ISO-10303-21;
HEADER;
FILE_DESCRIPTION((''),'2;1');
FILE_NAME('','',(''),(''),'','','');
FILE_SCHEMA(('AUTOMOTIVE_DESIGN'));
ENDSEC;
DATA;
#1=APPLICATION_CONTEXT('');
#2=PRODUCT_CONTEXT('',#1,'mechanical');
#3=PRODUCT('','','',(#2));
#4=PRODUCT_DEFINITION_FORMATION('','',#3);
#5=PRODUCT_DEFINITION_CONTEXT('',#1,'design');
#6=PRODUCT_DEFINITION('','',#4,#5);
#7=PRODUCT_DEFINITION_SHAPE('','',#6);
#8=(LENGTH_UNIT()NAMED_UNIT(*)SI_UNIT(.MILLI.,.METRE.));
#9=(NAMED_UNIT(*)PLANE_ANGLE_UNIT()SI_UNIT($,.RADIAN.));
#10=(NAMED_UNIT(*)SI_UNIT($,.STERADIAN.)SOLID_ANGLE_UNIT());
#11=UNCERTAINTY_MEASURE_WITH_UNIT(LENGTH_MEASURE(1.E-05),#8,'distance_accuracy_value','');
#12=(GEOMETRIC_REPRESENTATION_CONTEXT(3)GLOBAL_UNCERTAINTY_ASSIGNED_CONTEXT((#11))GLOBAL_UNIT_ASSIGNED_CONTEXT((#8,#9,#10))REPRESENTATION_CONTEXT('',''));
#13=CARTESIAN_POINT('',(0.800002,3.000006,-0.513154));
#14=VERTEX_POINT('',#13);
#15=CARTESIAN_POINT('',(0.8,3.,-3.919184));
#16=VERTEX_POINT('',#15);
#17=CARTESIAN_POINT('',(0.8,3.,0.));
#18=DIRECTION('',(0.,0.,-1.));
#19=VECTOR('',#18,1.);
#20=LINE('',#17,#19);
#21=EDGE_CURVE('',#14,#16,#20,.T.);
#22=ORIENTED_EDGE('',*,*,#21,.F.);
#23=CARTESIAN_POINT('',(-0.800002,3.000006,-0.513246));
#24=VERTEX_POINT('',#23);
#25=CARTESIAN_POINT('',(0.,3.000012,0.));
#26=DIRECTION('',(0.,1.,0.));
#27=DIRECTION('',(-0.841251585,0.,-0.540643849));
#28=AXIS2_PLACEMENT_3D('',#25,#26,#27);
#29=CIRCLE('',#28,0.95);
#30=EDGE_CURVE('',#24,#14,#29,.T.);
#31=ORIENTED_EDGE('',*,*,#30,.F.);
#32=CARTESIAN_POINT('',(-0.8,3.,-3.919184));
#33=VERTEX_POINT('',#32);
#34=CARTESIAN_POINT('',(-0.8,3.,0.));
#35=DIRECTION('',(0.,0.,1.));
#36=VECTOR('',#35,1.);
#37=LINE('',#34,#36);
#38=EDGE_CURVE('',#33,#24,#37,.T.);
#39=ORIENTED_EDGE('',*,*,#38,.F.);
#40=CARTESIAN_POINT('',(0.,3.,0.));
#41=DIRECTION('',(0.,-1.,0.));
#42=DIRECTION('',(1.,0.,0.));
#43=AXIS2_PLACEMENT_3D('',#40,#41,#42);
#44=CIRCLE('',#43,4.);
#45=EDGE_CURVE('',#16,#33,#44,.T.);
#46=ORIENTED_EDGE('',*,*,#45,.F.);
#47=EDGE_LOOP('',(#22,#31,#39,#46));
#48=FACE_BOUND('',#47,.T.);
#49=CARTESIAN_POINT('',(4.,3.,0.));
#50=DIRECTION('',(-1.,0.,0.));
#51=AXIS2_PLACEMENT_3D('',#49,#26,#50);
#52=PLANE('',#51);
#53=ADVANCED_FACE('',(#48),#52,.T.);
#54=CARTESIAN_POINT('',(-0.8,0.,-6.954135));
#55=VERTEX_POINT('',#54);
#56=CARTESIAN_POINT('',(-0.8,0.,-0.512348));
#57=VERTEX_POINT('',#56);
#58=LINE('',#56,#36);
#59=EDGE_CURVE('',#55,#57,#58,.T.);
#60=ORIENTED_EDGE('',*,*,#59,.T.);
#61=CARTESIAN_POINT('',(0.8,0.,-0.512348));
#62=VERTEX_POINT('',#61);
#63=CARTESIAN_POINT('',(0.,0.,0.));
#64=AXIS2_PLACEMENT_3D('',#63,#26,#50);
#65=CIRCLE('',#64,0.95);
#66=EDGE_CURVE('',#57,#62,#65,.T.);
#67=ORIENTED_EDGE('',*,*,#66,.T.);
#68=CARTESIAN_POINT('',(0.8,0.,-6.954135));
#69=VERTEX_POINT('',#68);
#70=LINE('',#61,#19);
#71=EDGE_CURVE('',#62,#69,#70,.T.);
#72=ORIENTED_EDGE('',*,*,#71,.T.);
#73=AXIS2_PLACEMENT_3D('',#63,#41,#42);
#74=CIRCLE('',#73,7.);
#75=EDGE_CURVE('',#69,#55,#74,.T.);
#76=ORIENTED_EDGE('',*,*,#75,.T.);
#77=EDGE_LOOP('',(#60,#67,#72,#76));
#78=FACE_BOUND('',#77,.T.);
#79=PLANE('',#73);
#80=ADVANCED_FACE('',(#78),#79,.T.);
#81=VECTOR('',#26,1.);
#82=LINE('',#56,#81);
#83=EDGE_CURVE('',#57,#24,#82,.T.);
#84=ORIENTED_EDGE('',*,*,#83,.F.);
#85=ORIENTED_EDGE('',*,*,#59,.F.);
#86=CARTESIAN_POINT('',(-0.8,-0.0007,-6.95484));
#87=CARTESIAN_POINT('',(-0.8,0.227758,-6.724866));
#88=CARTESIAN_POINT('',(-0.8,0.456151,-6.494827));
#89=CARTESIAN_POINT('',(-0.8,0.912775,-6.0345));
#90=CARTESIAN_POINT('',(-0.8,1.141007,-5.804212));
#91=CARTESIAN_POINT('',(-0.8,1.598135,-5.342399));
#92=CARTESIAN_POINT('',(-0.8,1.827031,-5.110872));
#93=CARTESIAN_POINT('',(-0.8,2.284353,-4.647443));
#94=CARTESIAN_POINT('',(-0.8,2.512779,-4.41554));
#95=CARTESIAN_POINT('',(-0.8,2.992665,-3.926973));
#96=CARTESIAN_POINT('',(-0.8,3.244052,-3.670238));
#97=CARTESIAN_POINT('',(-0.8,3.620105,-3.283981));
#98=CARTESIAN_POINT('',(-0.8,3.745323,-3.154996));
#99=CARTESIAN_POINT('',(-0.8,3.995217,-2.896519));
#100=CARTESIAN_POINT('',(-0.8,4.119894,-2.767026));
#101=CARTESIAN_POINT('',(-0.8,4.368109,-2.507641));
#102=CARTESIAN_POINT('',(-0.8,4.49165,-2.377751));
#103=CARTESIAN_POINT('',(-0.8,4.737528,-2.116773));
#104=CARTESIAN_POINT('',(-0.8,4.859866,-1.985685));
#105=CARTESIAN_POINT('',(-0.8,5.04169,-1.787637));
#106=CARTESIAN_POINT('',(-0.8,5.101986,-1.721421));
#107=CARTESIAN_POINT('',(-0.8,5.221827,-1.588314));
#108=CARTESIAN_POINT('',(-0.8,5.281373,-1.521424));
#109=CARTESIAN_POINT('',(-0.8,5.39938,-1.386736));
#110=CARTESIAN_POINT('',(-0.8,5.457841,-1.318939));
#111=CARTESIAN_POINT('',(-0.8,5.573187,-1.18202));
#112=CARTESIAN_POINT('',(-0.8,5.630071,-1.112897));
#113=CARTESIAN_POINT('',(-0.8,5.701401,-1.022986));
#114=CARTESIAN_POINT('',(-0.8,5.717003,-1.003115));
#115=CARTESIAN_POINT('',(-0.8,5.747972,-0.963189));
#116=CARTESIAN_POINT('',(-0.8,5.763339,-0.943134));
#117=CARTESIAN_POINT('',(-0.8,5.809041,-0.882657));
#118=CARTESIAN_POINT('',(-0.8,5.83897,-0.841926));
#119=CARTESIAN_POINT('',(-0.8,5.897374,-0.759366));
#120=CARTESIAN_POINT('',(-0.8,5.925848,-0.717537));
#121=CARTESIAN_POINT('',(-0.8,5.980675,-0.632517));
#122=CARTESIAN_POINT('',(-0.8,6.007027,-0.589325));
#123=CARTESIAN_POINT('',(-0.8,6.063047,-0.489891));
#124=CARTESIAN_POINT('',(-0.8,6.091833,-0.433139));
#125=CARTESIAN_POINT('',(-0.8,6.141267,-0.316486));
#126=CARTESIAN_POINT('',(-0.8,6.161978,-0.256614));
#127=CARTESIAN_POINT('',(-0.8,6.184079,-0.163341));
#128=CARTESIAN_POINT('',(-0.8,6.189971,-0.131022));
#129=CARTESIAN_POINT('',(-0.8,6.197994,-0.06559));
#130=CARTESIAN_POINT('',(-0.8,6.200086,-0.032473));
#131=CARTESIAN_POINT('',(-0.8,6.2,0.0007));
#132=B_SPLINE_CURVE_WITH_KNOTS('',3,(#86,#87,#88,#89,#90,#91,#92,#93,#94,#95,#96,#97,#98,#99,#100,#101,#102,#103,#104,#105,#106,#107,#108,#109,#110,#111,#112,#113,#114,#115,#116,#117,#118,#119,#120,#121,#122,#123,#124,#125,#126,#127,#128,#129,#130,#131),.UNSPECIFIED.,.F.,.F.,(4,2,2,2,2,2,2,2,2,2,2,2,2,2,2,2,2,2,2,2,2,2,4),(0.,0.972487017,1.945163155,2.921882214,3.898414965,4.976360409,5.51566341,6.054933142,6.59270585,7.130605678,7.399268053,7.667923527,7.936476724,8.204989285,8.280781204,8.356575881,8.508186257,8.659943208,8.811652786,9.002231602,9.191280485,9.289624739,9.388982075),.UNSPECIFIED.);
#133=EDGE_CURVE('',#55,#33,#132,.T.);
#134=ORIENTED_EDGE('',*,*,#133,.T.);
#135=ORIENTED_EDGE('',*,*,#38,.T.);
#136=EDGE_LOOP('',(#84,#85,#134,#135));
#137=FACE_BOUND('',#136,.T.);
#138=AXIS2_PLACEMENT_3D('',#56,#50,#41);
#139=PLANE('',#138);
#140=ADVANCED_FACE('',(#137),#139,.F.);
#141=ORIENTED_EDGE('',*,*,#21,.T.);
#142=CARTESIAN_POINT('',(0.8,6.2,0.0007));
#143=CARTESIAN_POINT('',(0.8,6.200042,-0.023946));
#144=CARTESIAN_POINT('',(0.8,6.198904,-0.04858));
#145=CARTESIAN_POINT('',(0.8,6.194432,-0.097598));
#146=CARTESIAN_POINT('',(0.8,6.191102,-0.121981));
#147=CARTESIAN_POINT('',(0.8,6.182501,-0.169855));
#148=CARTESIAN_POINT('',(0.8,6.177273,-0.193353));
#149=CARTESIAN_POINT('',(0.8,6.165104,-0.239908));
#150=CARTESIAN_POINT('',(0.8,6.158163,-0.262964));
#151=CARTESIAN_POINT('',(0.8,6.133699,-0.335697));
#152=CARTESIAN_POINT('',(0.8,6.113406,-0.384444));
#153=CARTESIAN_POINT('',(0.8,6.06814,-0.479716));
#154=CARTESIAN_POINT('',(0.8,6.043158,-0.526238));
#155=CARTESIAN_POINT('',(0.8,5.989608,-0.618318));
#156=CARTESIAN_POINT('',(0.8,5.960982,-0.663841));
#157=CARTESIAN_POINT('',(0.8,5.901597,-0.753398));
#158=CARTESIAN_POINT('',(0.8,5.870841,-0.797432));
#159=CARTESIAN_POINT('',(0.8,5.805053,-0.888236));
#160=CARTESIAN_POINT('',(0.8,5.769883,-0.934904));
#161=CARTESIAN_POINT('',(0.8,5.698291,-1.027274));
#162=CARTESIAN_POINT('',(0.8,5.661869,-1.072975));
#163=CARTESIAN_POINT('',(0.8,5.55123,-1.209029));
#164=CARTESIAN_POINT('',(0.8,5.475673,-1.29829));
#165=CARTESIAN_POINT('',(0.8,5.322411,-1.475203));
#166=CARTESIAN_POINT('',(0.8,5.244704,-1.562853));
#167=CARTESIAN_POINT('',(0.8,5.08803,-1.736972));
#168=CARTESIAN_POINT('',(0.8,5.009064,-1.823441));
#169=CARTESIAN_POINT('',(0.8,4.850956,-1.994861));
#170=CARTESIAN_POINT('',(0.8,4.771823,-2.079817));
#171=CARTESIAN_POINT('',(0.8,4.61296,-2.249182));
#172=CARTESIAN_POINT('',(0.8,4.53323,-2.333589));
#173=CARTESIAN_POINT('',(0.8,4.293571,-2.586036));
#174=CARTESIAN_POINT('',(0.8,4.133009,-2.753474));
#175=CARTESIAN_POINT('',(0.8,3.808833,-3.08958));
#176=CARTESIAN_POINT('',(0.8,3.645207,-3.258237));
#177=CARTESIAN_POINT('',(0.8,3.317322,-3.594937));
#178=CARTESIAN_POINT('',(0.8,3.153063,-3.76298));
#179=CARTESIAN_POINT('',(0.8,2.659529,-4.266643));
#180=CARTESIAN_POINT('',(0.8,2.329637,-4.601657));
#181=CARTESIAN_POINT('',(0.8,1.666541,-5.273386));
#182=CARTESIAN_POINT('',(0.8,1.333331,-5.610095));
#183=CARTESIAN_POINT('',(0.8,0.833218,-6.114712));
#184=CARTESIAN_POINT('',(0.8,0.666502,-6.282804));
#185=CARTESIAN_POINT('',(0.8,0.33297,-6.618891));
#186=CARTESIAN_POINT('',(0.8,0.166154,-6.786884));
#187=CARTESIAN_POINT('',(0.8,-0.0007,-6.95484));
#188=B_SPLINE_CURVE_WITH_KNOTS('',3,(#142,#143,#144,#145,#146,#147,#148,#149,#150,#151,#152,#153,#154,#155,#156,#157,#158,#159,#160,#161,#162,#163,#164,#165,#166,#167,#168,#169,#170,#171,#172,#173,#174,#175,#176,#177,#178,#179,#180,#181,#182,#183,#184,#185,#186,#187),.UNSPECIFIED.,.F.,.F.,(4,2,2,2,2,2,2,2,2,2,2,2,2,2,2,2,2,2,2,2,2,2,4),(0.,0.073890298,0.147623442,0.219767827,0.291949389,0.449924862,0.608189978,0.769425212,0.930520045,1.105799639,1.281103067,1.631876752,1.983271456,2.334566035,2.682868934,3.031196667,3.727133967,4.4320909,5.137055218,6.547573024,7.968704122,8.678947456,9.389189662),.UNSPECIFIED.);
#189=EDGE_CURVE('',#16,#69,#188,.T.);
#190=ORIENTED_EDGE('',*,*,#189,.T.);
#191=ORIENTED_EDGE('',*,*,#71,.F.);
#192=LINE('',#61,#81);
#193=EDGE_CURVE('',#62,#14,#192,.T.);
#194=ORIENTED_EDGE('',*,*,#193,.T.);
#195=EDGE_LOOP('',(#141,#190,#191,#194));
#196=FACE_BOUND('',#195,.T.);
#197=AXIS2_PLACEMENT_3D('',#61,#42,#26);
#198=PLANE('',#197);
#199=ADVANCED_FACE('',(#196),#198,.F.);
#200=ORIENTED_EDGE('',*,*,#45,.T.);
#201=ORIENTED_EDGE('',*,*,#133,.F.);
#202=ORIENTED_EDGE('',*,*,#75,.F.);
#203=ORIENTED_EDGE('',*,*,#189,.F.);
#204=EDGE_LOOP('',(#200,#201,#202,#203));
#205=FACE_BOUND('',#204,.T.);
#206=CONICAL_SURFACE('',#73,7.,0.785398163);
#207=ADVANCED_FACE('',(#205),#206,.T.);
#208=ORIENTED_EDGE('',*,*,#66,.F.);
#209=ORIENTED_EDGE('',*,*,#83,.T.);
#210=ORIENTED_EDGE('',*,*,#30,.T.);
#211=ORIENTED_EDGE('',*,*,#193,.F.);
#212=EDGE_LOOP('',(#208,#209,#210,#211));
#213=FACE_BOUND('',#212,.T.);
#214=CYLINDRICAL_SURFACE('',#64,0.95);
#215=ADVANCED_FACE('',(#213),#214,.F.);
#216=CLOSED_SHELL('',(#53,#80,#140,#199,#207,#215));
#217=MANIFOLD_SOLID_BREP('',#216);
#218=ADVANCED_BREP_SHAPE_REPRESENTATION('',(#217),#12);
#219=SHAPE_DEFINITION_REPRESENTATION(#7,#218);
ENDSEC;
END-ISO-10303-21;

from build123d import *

# Parameters (mm, degrees)
CUT_EXTRUDE1_DEPTH      = 11.344080433
CUT_EXTRUDE1_DEPTH_BACK = 11.344080433
SKETCH2_R               = 0.95
CUT_EXTRUDE2_DEPTH      = 11.344080433
CUT_EXTRUDE2_DEPTH_BACK = 11.344080433


with BuildPart() as part:
    # Sketch1 → Revolve1 (revolve)
    with BuildSketch(Plane.XY):
        Polygon((0, 0), (7, 0), (4, 3), (0, 3), align=None)
    revolve(axis=Axis((0, -1026.355569878, 0), (0, 1, 0)))

    # Sketch2 → Cut-Extrude1 (cut, two sides: drawn at the far end of the back side and taken through both)
    with BuildSketch(Plane(origin=(0, 3, 0), x_dir=(1, 0, 0), z_dir=(0, 1, 0)).offset(-CUT_EXTRUDE1_DEPTH_BACK)):
        with Locations(Location((0, 0, 0), (0, 0, 180))):
            Circle(SKETCH2_R)
    extrude(amount=CUT_EXTRUDE1_DEPTH + CUT_EXTRUDE1_DEPTH_BACK, mode=Mode.SUBTRACT)

    # Sketch3 → Cut-Extrude2 (cut, two sides: drawn at the far end of the back side and taken through both)
    with BuildSketch(Plane(origin=(0, 3, 0), x_dir=(1, 0, 0), z_dir=(0, 1, 0)).offset(-CUT_EXTRUDE2_DEPTH_BACK)):
        with BuildLine():
            Line((-0.8, 0.512347538), (-0.8, 6.95413546))
            ThreePointArc((-0.8, 6.95413546), (0, 7), (0.8, 6.95413546))
            Line((0.8, 6.95413546), (0.8, 0.512347538))
            ThreePointArc((0.8, 0.512347538), (0, 0.95), (-0.8, 0.512347538))
        make_face()
    extrude(amount=CUT_EXTRUDE2_DEPTH + CUT_EXTRUDE2_DEPTH_BACK, mode=Mode.SUBTRACT)


solid = part.part
